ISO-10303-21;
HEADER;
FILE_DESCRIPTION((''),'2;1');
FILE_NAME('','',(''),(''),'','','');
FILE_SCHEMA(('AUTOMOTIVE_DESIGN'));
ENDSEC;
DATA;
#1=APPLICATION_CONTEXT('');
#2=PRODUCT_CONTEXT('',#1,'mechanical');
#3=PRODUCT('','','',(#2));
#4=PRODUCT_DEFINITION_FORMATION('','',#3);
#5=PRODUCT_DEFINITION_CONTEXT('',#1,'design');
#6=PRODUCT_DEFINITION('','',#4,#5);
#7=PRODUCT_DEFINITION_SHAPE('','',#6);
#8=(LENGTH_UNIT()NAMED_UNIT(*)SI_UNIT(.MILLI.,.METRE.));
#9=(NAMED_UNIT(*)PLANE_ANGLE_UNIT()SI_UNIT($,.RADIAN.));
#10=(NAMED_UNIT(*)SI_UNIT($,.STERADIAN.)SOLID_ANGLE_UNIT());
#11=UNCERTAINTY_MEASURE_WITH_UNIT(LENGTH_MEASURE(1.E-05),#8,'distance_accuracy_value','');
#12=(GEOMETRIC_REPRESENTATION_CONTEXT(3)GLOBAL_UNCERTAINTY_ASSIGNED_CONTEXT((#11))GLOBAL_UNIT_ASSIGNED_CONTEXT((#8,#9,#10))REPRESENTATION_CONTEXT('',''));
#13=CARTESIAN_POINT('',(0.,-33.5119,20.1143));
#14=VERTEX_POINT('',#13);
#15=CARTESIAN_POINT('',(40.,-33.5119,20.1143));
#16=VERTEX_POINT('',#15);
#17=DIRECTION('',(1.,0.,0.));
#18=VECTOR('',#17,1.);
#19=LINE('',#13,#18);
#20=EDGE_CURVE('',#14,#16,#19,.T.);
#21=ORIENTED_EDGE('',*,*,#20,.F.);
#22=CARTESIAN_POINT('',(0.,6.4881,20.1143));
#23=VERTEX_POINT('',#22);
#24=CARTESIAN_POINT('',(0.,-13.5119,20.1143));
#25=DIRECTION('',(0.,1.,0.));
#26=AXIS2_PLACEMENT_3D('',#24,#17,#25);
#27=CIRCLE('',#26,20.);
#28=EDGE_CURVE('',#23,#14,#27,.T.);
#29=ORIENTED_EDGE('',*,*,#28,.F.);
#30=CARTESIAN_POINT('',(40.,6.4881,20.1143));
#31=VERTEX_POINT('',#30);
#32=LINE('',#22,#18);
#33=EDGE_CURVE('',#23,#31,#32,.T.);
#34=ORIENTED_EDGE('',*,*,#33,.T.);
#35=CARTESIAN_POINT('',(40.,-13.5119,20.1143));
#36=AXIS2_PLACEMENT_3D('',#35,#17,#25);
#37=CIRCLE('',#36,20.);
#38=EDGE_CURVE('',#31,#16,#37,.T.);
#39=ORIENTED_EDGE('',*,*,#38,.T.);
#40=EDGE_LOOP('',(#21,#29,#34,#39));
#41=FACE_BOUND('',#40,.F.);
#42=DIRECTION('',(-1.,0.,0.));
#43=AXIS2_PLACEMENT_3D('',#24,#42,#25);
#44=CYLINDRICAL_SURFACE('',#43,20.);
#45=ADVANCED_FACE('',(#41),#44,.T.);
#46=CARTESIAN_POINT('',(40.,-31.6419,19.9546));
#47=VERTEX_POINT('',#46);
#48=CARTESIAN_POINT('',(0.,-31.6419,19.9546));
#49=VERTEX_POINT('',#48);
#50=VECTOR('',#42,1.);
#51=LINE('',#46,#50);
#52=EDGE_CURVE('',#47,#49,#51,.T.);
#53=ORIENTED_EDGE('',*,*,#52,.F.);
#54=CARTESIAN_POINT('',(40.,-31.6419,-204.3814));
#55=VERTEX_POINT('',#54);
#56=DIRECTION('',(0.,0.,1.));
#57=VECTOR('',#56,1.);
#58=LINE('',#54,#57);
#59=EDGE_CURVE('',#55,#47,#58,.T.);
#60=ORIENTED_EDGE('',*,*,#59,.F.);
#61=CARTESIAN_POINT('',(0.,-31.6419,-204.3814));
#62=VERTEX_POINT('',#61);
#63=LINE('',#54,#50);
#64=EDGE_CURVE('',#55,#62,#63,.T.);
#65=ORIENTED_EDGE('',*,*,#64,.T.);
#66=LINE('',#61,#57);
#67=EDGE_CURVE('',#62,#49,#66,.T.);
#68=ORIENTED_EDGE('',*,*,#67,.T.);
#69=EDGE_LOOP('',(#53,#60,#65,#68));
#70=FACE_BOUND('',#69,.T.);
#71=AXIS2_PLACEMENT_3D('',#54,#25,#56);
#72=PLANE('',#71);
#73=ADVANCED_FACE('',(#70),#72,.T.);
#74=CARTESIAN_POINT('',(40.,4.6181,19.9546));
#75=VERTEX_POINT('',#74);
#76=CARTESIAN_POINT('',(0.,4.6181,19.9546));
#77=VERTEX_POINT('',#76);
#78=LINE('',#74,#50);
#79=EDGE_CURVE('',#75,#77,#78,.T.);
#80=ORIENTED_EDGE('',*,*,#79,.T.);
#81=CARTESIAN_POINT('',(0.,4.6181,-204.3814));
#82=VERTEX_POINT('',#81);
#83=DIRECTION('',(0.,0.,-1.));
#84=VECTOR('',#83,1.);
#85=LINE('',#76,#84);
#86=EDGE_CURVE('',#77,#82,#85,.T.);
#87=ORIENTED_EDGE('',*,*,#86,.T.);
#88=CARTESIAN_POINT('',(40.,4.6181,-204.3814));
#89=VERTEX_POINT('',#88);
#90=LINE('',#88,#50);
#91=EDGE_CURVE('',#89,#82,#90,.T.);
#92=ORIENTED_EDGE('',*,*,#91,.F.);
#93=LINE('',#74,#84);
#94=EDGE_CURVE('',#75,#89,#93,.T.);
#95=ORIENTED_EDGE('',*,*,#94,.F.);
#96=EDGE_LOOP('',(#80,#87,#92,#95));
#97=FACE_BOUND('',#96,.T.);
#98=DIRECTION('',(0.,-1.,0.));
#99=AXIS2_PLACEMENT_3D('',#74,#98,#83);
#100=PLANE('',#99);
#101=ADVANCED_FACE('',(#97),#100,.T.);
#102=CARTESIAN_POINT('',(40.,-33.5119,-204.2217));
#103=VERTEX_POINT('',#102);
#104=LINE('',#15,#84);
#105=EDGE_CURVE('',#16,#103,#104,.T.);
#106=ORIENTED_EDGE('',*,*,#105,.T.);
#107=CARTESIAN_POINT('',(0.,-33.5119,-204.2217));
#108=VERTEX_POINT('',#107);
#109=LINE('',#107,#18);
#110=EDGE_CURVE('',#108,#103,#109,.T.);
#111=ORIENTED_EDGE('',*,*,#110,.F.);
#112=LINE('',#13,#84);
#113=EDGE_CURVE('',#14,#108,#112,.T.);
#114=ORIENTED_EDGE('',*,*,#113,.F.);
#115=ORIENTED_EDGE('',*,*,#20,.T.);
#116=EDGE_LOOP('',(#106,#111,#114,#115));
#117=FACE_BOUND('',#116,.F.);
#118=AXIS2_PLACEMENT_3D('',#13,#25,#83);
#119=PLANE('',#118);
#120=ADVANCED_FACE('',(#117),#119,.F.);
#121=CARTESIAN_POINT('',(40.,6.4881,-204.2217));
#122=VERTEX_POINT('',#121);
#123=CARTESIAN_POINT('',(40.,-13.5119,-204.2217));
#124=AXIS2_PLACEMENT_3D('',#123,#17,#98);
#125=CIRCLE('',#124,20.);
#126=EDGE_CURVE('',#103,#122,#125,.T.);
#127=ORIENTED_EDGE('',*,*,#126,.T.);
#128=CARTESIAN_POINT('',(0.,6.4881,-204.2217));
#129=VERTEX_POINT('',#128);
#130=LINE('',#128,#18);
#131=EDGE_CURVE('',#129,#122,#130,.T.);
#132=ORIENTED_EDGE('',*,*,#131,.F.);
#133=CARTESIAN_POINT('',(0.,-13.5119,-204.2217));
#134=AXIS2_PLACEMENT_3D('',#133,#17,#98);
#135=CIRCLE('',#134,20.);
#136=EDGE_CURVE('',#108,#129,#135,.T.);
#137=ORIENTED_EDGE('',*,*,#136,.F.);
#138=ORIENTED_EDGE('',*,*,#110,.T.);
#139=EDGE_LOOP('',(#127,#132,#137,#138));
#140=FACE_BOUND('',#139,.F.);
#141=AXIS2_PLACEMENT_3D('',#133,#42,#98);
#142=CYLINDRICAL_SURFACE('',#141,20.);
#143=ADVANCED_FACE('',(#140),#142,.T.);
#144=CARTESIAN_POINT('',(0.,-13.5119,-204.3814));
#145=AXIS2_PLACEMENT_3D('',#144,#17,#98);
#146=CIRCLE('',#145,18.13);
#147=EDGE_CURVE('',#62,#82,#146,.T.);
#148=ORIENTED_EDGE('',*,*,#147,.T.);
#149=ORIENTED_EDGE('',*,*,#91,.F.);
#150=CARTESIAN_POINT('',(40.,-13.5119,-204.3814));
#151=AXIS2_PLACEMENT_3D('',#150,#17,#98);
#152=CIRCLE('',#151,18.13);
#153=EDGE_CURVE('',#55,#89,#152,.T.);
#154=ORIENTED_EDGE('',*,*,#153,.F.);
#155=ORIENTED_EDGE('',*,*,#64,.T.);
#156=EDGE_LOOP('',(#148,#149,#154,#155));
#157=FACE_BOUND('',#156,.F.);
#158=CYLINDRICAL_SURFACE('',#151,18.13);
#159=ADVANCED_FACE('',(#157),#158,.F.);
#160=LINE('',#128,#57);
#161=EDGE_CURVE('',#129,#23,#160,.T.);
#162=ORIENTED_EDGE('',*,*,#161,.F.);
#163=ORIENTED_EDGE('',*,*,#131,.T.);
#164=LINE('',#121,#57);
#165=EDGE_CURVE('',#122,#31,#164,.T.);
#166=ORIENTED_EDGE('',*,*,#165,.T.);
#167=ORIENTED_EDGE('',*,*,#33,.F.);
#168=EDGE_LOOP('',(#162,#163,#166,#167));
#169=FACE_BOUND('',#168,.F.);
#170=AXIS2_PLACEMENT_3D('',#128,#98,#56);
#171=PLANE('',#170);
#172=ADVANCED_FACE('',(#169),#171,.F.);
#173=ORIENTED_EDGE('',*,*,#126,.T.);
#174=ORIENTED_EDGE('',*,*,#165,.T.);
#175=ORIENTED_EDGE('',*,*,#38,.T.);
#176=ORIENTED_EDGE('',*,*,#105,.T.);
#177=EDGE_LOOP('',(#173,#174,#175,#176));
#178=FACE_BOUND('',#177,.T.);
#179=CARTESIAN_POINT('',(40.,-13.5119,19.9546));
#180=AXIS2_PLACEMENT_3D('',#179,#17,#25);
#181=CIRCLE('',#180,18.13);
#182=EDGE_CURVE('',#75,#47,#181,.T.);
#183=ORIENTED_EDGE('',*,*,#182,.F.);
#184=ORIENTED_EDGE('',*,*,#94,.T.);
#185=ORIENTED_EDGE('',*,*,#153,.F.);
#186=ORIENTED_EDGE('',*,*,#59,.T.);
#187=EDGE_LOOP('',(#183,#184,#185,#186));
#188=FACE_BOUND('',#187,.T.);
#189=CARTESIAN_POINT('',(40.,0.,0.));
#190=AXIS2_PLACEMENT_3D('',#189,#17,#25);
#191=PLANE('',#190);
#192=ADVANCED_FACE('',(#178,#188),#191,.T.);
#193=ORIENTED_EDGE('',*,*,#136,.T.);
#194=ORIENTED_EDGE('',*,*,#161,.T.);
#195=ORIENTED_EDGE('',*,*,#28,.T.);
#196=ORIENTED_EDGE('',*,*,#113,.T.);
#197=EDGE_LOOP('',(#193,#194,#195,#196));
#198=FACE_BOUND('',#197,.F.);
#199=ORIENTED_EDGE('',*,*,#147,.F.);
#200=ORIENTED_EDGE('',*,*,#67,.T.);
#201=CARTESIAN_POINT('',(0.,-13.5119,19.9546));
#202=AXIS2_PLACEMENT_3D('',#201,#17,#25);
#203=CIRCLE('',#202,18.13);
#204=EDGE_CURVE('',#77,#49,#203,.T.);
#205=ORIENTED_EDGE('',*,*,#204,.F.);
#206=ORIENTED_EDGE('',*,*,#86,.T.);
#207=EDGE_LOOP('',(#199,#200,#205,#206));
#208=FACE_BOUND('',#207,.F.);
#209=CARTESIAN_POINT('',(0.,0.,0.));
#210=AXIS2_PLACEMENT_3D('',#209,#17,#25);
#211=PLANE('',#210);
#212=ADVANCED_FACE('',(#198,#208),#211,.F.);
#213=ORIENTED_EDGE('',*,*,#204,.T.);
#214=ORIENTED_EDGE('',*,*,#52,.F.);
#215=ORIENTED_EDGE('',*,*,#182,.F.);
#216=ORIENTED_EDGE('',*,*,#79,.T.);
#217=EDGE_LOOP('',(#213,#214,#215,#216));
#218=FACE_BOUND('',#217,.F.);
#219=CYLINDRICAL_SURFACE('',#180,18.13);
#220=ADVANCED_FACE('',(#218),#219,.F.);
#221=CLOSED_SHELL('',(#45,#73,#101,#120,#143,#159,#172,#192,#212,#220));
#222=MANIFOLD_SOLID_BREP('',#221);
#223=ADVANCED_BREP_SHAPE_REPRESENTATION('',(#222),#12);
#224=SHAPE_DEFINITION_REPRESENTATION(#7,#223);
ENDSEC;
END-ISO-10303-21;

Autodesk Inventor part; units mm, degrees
ref_plane "YZ Plane" through (0, 0, 0) normal (1, 0, 0) x (0, 1, 0)
ref_plane "XZ Plane" through (0, 0, 0) normal (0, 1, 0) x (-1, 0, 0)
ref_plane "XY Plane" through (0, 0, 0) normal (0, 0, 1) x (1, 0, 0)
sketch "スケッチ1" plane through (0, 0, 0) normal (1, 0, 0) x (0, 1, 0)
  line L0 (-33.5119, 20.1143) -> (-33.5119, -204.2217)
  line L1 (6.4881, -204.2217) -> (6.4881, 20.1143)
  arc A0 (6.4881, 20.1143) -> (-33.5119, 20.1143) centre (-13.5119, 20.1143) ccw
  arc A1 (-33.5119, -204.2217) -> (6.4881, -204.2217) centre (-13.5119, -204.2217) ccw
  point P0 (0, 0)
  dimension "d2" = 224.336
  dimension "d3" = 224.336
  dimension "d4" = 40
  dimension "d5" = 40
extrude "押し出し1" add sketch "スケッチ1" along normal blind 40
sketch "スケッチ2" plane through (40, 0, 0) normal (1, 0, 0) x (0, 0, -1)
  line L0 (-19.9546, 4.6181) -> (204.3814, 4.6181)
  line L1 (204.3814, -31.6419) -> (-19.9546, -31.6419)
  line L2 (204.2217, 6.4881) -> (-20.1143, 6.4881) projected
  arc A0 (-19.9546, 4.6181) -> (-19.9546, -31.6419) centre (-19.9546, -13.5119) ccw
  arc A1 (204.3814, -31.6419) -> (204.3814, 4.6181) centre (204.3814, -13.5119) ccw
  point P0 (0, 0)
  dimension "d10" = 1.87
  dimension "d11" = 224.336
  dimension "d12" = 224.336
  dimension "d13" = 36.26
  dimension "d14" = 36.26
  dimension "d15" = 36.26
  dimension "d16" = 36.26
  dimension "d17" = 36.26
extrude "押し出し2" cut sketch "スケッチ2" against normal blind 40
properties part number "nhk11" material "ゴム"
